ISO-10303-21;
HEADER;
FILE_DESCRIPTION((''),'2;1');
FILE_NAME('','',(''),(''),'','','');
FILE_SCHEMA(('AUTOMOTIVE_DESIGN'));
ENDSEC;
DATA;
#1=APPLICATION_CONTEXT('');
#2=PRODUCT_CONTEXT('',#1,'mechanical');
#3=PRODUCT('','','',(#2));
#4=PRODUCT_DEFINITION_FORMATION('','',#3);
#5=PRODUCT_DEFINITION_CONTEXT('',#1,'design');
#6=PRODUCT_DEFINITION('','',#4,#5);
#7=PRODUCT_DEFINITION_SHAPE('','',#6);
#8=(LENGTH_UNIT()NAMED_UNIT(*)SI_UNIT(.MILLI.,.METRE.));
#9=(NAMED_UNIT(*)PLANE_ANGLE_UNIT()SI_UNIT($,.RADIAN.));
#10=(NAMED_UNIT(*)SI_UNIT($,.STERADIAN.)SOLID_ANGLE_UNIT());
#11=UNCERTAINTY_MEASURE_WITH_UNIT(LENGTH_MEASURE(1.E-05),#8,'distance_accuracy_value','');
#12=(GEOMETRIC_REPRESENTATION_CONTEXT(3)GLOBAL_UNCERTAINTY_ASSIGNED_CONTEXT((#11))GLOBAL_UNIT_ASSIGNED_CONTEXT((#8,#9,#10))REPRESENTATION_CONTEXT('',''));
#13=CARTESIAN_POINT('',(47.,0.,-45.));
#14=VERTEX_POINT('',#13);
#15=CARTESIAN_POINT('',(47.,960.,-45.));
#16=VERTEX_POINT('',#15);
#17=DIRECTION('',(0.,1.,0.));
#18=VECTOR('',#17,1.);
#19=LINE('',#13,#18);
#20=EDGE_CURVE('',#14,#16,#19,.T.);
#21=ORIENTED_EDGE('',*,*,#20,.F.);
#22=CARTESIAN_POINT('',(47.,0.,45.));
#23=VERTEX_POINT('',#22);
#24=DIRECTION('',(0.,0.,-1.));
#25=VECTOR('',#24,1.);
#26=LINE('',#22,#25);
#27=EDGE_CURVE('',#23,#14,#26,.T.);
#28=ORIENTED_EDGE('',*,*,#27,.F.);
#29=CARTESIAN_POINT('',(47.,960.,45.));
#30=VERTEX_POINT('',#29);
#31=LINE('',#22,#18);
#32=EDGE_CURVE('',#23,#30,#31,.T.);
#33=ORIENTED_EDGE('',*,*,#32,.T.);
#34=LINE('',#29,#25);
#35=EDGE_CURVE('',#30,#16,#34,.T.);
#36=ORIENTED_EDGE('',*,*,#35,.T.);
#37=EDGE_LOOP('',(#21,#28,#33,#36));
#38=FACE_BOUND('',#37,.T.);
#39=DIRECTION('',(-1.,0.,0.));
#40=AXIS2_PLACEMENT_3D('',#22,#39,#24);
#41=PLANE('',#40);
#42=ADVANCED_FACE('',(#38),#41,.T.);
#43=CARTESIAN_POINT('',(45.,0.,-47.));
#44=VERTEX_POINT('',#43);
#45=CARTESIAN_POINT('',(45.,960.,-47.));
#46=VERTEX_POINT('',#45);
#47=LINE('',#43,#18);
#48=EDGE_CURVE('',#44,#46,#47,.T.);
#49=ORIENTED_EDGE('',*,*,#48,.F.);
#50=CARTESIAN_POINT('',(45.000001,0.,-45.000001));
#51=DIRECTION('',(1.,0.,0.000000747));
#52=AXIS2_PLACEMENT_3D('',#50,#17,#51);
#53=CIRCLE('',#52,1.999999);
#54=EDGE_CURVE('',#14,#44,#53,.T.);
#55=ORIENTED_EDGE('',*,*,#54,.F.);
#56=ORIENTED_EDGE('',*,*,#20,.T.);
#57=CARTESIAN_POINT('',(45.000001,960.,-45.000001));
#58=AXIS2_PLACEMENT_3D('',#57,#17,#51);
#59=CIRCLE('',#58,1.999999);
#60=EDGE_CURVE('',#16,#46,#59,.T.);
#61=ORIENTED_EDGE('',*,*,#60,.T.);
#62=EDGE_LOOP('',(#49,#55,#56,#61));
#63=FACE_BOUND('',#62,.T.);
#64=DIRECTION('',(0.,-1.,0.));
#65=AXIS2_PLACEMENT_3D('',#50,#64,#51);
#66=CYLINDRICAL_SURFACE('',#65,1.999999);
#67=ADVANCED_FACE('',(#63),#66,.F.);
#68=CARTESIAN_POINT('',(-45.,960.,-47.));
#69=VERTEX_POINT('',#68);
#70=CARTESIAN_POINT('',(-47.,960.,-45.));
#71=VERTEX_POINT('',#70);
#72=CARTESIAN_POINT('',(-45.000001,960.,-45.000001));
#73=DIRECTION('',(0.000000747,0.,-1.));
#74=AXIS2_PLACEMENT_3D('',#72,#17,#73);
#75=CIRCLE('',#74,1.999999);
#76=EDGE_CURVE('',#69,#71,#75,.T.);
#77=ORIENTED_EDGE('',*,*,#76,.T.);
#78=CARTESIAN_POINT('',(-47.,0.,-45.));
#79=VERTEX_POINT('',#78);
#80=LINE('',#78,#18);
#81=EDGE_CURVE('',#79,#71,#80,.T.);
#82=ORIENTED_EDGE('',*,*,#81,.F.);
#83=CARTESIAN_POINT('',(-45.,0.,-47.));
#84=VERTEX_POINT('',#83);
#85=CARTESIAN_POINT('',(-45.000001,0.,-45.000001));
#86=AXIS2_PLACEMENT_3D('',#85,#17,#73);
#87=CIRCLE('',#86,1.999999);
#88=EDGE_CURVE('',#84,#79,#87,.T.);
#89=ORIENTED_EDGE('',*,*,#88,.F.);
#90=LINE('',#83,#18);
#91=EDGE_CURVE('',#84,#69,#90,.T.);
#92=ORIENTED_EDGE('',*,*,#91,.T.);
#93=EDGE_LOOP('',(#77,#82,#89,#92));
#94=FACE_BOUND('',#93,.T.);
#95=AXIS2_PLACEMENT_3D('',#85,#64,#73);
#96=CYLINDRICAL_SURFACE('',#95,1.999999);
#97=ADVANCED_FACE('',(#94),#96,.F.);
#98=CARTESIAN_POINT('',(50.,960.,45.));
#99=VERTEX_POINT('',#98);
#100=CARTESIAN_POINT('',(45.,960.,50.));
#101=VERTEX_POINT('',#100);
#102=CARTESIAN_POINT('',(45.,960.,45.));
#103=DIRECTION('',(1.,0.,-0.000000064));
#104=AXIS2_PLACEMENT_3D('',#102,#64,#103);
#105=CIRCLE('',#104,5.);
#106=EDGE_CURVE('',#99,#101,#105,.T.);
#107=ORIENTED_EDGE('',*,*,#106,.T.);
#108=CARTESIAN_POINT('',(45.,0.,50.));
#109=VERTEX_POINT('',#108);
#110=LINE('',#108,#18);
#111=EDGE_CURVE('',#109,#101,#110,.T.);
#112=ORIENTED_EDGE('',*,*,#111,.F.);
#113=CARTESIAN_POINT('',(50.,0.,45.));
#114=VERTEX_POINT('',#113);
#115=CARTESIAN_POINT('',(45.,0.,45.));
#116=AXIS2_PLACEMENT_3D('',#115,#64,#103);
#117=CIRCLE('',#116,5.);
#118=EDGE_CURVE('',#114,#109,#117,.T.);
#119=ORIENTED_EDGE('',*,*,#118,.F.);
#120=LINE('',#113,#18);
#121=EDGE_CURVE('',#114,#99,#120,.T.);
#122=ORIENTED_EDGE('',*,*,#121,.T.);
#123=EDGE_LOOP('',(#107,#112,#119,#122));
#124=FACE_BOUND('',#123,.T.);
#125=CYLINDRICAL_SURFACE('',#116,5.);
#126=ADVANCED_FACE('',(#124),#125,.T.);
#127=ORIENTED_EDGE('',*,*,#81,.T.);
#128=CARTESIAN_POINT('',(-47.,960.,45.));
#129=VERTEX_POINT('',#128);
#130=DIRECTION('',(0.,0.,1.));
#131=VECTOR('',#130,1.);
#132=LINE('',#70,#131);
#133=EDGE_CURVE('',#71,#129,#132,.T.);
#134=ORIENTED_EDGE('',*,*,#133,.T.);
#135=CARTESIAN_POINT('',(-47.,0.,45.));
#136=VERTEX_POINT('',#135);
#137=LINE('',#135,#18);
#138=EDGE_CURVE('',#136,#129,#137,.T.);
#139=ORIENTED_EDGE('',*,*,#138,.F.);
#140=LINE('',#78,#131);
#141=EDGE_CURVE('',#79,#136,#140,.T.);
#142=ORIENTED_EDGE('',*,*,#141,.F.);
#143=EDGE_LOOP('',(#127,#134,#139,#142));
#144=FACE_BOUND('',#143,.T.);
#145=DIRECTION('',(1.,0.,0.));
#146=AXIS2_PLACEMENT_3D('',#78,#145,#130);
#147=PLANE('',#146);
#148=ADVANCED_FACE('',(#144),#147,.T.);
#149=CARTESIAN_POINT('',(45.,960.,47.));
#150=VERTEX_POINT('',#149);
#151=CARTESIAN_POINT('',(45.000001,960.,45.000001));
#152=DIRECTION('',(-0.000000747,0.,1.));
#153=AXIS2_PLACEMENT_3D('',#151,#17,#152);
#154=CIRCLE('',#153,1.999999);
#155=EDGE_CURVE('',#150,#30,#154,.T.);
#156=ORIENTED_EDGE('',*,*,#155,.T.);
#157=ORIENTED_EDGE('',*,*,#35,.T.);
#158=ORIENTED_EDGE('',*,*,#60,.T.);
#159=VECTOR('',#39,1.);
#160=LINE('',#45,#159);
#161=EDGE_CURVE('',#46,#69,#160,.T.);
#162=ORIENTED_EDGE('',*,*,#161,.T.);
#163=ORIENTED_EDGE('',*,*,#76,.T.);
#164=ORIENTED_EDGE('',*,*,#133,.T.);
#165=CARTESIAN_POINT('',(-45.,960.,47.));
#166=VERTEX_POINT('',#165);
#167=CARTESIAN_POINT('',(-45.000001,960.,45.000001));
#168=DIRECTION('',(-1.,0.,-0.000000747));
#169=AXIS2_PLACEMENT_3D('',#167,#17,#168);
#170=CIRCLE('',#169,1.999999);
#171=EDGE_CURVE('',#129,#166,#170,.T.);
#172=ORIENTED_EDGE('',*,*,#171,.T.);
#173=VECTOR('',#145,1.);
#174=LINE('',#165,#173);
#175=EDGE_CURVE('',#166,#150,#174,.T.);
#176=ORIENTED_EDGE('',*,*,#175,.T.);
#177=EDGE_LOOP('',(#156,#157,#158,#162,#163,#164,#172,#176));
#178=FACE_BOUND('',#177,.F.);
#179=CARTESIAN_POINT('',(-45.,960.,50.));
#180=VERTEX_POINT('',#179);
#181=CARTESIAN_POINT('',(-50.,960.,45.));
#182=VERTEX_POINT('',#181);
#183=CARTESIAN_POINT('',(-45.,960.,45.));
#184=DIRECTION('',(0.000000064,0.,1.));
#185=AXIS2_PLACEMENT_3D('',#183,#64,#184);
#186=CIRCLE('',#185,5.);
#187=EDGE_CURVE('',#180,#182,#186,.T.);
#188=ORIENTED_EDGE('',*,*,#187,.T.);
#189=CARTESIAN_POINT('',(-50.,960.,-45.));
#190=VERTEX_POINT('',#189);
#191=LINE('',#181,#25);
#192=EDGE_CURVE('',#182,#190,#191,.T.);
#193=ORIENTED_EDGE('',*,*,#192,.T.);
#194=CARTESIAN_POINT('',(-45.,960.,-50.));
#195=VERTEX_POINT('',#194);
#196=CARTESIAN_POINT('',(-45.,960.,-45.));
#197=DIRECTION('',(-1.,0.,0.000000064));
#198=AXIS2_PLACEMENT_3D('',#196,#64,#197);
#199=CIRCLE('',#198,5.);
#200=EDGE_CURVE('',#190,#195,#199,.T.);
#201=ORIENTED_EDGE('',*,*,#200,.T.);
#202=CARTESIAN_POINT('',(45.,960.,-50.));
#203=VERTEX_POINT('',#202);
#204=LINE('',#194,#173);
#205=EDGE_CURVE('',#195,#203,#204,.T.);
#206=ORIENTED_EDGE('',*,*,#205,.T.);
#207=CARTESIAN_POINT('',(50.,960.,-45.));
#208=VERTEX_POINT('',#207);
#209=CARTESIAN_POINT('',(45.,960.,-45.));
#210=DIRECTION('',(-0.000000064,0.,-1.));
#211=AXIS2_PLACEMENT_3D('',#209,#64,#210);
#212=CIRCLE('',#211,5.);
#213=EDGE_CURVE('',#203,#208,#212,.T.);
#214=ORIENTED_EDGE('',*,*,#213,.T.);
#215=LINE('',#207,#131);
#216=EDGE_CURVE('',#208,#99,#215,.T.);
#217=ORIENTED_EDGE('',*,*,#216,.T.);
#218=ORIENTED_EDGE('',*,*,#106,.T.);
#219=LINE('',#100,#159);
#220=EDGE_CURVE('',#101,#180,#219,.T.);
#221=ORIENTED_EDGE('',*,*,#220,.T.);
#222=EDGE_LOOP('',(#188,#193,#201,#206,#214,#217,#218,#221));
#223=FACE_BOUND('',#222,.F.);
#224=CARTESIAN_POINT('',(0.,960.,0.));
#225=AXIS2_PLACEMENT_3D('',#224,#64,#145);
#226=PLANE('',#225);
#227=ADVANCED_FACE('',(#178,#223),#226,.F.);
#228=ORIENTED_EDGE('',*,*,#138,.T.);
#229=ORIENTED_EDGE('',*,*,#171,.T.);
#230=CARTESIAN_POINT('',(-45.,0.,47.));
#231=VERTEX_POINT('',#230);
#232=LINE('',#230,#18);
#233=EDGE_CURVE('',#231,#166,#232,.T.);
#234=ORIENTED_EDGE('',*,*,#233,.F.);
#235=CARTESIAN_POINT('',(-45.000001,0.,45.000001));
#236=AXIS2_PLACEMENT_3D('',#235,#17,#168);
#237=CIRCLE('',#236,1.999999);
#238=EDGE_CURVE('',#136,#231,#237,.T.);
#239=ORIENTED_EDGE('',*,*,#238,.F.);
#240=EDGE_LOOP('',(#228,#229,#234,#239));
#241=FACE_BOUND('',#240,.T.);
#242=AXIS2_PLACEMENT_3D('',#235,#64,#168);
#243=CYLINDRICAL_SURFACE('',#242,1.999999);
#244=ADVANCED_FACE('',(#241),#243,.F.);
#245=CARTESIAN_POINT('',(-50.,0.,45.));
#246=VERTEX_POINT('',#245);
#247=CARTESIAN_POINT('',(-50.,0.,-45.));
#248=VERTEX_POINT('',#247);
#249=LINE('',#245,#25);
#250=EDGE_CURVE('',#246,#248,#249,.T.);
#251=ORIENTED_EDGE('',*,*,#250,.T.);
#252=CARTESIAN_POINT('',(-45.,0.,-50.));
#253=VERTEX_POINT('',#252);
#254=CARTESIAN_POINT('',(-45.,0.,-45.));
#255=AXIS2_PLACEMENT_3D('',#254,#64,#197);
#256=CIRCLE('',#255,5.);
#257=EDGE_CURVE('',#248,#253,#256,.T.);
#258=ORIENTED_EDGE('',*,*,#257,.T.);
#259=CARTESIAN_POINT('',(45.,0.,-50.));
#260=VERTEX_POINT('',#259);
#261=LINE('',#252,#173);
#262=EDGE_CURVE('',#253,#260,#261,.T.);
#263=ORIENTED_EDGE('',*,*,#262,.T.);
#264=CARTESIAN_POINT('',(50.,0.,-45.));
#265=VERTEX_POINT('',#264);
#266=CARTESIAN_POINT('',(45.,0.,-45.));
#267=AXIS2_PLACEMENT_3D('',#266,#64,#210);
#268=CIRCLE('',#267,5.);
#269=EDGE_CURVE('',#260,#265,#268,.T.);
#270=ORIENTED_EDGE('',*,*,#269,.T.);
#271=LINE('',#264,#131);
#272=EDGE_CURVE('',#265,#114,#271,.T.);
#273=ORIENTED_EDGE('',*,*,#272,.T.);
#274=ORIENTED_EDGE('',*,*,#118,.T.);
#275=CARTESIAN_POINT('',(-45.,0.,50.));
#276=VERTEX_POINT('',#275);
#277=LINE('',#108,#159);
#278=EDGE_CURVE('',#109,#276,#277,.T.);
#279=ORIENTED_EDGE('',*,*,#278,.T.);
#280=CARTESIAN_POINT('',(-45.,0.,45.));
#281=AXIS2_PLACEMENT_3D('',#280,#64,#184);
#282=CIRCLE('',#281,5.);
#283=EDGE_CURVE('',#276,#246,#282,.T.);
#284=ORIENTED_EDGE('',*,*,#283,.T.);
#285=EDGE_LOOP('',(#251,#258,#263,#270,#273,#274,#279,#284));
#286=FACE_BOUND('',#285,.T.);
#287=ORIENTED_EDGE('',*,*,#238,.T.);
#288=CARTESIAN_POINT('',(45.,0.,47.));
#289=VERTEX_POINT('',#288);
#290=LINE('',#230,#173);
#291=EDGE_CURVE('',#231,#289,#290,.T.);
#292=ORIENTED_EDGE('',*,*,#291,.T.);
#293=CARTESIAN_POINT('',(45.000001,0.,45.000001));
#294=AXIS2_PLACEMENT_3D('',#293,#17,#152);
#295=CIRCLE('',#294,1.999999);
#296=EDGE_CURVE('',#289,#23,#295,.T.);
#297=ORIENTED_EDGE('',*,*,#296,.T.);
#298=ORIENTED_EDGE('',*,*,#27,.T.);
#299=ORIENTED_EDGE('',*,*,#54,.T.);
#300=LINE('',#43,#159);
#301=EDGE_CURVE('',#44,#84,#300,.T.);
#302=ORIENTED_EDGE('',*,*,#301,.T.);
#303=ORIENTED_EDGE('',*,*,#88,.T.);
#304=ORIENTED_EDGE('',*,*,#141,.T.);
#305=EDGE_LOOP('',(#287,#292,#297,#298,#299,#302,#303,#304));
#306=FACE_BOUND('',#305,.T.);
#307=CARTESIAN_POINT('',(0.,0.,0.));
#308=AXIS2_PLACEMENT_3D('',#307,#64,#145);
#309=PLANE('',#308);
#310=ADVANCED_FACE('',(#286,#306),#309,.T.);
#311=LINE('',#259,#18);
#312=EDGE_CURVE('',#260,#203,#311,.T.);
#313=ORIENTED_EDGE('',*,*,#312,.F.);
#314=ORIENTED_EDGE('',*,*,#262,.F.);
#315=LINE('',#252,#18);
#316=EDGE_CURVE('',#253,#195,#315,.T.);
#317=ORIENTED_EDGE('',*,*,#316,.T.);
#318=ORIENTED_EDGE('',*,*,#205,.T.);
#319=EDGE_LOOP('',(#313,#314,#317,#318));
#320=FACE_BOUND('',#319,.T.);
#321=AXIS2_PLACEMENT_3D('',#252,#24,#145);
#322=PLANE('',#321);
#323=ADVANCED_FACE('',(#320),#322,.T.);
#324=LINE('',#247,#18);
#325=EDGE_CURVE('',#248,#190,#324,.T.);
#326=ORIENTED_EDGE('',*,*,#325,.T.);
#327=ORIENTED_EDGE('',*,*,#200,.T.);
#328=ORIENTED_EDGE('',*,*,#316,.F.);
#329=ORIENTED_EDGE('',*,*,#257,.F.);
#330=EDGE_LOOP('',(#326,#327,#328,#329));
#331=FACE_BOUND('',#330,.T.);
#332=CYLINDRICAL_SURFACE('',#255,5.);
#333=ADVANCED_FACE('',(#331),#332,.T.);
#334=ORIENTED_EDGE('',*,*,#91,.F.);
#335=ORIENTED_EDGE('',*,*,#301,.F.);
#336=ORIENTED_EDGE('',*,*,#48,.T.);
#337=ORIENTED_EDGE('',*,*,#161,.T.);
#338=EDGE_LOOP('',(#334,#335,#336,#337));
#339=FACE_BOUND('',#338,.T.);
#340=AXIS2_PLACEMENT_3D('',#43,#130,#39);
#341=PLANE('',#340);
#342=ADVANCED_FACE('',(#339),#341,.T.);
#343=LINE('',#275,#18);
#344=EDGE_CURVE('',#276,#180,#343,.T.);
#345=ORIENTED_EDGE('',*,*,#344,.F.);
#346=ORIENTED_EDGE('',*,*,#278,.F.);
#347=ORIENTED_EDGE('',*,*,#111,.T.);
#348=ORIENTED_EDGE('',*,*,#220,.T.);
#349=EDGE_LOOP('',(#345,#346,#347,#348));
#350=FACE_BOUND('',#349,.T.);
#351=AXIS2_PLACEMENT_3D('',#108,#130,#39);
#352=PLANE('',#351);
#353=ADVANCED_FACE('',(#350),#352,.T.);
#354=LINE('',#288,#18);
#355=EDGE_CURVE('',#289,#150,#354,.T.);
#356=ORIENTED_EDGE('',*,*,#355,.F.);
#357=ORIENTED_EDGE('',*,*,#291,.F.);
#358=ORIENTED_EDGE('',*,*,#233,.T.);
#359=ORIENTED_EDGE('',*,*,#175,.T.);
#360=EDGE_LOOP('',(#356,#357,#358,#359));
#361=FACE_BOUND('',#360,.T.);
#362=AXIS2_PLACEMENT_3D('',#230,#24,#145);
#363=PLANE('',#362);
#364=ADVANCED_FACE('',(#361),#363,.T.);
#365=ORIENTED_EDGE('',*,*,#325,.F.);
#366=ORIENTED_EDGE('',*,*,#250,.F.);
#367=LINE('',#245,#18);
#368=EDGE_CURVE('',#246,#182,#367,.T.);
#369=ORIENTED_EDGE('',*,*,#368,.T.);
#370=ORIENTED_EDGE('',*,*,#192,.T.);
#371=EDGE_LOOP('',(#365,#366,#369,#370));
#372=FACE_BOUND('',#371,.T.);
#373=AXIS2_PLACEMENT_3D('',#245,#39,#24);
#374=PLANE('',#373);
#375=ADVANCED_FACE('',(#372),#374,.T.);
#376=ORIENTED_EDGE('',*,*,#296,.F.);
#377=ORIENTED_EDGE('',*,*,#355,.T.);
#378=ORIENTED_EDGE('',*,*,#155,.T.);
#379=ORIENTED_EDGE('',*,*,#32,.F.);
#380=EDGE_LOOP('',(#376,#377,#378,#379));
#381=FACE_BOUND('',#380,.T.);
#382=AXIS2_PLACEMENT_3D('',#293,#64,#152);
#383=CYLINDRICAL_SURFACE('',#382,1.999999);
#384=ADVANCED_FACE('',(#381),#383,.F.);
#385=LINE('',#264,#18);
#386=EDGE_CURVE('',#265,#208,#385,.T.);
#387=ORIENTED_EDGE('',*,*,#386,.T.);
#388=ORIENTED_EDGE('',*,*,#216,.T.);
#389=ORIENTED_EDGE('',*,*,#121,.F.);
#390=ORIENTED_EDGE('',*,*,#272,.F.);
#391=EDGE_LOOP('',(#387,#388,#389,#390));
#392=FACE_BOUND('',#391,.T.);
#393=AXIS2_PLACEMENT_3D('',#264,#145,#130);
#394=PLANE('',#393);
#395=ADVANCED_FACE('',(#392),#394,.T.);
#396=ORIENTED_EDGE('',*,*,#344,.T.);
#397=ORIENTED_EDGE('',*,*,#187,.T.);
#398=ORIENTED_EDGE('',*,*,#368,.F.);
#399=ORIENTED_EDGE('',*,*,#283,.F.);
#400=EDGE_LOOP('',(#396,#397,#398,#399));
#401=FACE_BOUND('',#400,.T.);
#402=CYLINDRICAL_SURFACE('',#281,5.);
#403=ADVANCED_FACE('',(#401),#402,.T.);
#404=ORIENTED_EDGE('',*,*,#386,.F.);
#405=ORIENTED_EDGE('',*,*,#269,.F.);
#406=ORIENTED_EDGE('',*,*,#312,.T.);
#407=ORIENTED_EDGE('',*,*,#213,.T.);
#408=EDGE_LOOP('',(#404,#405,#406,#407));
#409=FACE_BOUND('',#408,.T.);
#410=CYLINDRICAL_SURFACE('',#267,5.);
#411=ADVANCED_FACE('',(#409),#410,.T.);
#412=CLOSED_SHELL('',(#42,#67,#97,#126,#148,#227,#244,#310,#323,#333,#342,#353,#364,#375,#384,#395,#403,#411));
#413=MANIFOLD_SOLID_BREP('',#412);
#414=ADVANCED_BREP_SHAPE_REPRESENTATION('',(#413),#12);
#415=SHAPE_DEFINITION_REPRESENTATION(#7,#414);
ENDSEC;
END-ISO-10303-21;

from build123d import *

# Parameters (mm, degrees)
F1_DEPTH = 960


with BuildPart() as f1:
    # F0 (on Front) → F1 (new body)
    with BuildSketch(Plane.XZ):
        with BuildLine():
            ThreePointArc((50, 45), (48.535534, 48.535534), (45, 50))
            Line((45, 50), (-45, 50))
            ThreePointArc((-45, 50), (-48.535534, 48.535534), (-50, 45))
            Line((-50, 45), (-50, -45))
            ThreePointArc((-50, -45), (-48.535534, -48.535534), (-45, -50))
            Line((-45, -50), (45, -50))
            ThreePointArc((45, -50), (48.535534, -48.535534), (50, -45))
            Line((50, -45), (50, 45))
        make_face()
        with BuildLine():
            ThreePointArc((-47, 45), (-46.414214, 46.414214), (-45, 47))
            Line((-45, 47), (45, 47))
            ThreePointArc((45, 47), (46.414214, 46.414214), (47, 45))
            Line((47, 45), (47, -45))
            ThreePointArc((47, -45), (46.414214, -46.414214), (45, -47))
            Line((45, -47), (-45, -47))
            ThreePointArc((-45, -47), (-46.414214, -46.414214), (-47, -45))
            Line((-47, -45), (-47, 45))
        make_face(mode=Mode.SUBTRACT)
    extrude(amount=-F1_DEPTH)


solid = f1.part
